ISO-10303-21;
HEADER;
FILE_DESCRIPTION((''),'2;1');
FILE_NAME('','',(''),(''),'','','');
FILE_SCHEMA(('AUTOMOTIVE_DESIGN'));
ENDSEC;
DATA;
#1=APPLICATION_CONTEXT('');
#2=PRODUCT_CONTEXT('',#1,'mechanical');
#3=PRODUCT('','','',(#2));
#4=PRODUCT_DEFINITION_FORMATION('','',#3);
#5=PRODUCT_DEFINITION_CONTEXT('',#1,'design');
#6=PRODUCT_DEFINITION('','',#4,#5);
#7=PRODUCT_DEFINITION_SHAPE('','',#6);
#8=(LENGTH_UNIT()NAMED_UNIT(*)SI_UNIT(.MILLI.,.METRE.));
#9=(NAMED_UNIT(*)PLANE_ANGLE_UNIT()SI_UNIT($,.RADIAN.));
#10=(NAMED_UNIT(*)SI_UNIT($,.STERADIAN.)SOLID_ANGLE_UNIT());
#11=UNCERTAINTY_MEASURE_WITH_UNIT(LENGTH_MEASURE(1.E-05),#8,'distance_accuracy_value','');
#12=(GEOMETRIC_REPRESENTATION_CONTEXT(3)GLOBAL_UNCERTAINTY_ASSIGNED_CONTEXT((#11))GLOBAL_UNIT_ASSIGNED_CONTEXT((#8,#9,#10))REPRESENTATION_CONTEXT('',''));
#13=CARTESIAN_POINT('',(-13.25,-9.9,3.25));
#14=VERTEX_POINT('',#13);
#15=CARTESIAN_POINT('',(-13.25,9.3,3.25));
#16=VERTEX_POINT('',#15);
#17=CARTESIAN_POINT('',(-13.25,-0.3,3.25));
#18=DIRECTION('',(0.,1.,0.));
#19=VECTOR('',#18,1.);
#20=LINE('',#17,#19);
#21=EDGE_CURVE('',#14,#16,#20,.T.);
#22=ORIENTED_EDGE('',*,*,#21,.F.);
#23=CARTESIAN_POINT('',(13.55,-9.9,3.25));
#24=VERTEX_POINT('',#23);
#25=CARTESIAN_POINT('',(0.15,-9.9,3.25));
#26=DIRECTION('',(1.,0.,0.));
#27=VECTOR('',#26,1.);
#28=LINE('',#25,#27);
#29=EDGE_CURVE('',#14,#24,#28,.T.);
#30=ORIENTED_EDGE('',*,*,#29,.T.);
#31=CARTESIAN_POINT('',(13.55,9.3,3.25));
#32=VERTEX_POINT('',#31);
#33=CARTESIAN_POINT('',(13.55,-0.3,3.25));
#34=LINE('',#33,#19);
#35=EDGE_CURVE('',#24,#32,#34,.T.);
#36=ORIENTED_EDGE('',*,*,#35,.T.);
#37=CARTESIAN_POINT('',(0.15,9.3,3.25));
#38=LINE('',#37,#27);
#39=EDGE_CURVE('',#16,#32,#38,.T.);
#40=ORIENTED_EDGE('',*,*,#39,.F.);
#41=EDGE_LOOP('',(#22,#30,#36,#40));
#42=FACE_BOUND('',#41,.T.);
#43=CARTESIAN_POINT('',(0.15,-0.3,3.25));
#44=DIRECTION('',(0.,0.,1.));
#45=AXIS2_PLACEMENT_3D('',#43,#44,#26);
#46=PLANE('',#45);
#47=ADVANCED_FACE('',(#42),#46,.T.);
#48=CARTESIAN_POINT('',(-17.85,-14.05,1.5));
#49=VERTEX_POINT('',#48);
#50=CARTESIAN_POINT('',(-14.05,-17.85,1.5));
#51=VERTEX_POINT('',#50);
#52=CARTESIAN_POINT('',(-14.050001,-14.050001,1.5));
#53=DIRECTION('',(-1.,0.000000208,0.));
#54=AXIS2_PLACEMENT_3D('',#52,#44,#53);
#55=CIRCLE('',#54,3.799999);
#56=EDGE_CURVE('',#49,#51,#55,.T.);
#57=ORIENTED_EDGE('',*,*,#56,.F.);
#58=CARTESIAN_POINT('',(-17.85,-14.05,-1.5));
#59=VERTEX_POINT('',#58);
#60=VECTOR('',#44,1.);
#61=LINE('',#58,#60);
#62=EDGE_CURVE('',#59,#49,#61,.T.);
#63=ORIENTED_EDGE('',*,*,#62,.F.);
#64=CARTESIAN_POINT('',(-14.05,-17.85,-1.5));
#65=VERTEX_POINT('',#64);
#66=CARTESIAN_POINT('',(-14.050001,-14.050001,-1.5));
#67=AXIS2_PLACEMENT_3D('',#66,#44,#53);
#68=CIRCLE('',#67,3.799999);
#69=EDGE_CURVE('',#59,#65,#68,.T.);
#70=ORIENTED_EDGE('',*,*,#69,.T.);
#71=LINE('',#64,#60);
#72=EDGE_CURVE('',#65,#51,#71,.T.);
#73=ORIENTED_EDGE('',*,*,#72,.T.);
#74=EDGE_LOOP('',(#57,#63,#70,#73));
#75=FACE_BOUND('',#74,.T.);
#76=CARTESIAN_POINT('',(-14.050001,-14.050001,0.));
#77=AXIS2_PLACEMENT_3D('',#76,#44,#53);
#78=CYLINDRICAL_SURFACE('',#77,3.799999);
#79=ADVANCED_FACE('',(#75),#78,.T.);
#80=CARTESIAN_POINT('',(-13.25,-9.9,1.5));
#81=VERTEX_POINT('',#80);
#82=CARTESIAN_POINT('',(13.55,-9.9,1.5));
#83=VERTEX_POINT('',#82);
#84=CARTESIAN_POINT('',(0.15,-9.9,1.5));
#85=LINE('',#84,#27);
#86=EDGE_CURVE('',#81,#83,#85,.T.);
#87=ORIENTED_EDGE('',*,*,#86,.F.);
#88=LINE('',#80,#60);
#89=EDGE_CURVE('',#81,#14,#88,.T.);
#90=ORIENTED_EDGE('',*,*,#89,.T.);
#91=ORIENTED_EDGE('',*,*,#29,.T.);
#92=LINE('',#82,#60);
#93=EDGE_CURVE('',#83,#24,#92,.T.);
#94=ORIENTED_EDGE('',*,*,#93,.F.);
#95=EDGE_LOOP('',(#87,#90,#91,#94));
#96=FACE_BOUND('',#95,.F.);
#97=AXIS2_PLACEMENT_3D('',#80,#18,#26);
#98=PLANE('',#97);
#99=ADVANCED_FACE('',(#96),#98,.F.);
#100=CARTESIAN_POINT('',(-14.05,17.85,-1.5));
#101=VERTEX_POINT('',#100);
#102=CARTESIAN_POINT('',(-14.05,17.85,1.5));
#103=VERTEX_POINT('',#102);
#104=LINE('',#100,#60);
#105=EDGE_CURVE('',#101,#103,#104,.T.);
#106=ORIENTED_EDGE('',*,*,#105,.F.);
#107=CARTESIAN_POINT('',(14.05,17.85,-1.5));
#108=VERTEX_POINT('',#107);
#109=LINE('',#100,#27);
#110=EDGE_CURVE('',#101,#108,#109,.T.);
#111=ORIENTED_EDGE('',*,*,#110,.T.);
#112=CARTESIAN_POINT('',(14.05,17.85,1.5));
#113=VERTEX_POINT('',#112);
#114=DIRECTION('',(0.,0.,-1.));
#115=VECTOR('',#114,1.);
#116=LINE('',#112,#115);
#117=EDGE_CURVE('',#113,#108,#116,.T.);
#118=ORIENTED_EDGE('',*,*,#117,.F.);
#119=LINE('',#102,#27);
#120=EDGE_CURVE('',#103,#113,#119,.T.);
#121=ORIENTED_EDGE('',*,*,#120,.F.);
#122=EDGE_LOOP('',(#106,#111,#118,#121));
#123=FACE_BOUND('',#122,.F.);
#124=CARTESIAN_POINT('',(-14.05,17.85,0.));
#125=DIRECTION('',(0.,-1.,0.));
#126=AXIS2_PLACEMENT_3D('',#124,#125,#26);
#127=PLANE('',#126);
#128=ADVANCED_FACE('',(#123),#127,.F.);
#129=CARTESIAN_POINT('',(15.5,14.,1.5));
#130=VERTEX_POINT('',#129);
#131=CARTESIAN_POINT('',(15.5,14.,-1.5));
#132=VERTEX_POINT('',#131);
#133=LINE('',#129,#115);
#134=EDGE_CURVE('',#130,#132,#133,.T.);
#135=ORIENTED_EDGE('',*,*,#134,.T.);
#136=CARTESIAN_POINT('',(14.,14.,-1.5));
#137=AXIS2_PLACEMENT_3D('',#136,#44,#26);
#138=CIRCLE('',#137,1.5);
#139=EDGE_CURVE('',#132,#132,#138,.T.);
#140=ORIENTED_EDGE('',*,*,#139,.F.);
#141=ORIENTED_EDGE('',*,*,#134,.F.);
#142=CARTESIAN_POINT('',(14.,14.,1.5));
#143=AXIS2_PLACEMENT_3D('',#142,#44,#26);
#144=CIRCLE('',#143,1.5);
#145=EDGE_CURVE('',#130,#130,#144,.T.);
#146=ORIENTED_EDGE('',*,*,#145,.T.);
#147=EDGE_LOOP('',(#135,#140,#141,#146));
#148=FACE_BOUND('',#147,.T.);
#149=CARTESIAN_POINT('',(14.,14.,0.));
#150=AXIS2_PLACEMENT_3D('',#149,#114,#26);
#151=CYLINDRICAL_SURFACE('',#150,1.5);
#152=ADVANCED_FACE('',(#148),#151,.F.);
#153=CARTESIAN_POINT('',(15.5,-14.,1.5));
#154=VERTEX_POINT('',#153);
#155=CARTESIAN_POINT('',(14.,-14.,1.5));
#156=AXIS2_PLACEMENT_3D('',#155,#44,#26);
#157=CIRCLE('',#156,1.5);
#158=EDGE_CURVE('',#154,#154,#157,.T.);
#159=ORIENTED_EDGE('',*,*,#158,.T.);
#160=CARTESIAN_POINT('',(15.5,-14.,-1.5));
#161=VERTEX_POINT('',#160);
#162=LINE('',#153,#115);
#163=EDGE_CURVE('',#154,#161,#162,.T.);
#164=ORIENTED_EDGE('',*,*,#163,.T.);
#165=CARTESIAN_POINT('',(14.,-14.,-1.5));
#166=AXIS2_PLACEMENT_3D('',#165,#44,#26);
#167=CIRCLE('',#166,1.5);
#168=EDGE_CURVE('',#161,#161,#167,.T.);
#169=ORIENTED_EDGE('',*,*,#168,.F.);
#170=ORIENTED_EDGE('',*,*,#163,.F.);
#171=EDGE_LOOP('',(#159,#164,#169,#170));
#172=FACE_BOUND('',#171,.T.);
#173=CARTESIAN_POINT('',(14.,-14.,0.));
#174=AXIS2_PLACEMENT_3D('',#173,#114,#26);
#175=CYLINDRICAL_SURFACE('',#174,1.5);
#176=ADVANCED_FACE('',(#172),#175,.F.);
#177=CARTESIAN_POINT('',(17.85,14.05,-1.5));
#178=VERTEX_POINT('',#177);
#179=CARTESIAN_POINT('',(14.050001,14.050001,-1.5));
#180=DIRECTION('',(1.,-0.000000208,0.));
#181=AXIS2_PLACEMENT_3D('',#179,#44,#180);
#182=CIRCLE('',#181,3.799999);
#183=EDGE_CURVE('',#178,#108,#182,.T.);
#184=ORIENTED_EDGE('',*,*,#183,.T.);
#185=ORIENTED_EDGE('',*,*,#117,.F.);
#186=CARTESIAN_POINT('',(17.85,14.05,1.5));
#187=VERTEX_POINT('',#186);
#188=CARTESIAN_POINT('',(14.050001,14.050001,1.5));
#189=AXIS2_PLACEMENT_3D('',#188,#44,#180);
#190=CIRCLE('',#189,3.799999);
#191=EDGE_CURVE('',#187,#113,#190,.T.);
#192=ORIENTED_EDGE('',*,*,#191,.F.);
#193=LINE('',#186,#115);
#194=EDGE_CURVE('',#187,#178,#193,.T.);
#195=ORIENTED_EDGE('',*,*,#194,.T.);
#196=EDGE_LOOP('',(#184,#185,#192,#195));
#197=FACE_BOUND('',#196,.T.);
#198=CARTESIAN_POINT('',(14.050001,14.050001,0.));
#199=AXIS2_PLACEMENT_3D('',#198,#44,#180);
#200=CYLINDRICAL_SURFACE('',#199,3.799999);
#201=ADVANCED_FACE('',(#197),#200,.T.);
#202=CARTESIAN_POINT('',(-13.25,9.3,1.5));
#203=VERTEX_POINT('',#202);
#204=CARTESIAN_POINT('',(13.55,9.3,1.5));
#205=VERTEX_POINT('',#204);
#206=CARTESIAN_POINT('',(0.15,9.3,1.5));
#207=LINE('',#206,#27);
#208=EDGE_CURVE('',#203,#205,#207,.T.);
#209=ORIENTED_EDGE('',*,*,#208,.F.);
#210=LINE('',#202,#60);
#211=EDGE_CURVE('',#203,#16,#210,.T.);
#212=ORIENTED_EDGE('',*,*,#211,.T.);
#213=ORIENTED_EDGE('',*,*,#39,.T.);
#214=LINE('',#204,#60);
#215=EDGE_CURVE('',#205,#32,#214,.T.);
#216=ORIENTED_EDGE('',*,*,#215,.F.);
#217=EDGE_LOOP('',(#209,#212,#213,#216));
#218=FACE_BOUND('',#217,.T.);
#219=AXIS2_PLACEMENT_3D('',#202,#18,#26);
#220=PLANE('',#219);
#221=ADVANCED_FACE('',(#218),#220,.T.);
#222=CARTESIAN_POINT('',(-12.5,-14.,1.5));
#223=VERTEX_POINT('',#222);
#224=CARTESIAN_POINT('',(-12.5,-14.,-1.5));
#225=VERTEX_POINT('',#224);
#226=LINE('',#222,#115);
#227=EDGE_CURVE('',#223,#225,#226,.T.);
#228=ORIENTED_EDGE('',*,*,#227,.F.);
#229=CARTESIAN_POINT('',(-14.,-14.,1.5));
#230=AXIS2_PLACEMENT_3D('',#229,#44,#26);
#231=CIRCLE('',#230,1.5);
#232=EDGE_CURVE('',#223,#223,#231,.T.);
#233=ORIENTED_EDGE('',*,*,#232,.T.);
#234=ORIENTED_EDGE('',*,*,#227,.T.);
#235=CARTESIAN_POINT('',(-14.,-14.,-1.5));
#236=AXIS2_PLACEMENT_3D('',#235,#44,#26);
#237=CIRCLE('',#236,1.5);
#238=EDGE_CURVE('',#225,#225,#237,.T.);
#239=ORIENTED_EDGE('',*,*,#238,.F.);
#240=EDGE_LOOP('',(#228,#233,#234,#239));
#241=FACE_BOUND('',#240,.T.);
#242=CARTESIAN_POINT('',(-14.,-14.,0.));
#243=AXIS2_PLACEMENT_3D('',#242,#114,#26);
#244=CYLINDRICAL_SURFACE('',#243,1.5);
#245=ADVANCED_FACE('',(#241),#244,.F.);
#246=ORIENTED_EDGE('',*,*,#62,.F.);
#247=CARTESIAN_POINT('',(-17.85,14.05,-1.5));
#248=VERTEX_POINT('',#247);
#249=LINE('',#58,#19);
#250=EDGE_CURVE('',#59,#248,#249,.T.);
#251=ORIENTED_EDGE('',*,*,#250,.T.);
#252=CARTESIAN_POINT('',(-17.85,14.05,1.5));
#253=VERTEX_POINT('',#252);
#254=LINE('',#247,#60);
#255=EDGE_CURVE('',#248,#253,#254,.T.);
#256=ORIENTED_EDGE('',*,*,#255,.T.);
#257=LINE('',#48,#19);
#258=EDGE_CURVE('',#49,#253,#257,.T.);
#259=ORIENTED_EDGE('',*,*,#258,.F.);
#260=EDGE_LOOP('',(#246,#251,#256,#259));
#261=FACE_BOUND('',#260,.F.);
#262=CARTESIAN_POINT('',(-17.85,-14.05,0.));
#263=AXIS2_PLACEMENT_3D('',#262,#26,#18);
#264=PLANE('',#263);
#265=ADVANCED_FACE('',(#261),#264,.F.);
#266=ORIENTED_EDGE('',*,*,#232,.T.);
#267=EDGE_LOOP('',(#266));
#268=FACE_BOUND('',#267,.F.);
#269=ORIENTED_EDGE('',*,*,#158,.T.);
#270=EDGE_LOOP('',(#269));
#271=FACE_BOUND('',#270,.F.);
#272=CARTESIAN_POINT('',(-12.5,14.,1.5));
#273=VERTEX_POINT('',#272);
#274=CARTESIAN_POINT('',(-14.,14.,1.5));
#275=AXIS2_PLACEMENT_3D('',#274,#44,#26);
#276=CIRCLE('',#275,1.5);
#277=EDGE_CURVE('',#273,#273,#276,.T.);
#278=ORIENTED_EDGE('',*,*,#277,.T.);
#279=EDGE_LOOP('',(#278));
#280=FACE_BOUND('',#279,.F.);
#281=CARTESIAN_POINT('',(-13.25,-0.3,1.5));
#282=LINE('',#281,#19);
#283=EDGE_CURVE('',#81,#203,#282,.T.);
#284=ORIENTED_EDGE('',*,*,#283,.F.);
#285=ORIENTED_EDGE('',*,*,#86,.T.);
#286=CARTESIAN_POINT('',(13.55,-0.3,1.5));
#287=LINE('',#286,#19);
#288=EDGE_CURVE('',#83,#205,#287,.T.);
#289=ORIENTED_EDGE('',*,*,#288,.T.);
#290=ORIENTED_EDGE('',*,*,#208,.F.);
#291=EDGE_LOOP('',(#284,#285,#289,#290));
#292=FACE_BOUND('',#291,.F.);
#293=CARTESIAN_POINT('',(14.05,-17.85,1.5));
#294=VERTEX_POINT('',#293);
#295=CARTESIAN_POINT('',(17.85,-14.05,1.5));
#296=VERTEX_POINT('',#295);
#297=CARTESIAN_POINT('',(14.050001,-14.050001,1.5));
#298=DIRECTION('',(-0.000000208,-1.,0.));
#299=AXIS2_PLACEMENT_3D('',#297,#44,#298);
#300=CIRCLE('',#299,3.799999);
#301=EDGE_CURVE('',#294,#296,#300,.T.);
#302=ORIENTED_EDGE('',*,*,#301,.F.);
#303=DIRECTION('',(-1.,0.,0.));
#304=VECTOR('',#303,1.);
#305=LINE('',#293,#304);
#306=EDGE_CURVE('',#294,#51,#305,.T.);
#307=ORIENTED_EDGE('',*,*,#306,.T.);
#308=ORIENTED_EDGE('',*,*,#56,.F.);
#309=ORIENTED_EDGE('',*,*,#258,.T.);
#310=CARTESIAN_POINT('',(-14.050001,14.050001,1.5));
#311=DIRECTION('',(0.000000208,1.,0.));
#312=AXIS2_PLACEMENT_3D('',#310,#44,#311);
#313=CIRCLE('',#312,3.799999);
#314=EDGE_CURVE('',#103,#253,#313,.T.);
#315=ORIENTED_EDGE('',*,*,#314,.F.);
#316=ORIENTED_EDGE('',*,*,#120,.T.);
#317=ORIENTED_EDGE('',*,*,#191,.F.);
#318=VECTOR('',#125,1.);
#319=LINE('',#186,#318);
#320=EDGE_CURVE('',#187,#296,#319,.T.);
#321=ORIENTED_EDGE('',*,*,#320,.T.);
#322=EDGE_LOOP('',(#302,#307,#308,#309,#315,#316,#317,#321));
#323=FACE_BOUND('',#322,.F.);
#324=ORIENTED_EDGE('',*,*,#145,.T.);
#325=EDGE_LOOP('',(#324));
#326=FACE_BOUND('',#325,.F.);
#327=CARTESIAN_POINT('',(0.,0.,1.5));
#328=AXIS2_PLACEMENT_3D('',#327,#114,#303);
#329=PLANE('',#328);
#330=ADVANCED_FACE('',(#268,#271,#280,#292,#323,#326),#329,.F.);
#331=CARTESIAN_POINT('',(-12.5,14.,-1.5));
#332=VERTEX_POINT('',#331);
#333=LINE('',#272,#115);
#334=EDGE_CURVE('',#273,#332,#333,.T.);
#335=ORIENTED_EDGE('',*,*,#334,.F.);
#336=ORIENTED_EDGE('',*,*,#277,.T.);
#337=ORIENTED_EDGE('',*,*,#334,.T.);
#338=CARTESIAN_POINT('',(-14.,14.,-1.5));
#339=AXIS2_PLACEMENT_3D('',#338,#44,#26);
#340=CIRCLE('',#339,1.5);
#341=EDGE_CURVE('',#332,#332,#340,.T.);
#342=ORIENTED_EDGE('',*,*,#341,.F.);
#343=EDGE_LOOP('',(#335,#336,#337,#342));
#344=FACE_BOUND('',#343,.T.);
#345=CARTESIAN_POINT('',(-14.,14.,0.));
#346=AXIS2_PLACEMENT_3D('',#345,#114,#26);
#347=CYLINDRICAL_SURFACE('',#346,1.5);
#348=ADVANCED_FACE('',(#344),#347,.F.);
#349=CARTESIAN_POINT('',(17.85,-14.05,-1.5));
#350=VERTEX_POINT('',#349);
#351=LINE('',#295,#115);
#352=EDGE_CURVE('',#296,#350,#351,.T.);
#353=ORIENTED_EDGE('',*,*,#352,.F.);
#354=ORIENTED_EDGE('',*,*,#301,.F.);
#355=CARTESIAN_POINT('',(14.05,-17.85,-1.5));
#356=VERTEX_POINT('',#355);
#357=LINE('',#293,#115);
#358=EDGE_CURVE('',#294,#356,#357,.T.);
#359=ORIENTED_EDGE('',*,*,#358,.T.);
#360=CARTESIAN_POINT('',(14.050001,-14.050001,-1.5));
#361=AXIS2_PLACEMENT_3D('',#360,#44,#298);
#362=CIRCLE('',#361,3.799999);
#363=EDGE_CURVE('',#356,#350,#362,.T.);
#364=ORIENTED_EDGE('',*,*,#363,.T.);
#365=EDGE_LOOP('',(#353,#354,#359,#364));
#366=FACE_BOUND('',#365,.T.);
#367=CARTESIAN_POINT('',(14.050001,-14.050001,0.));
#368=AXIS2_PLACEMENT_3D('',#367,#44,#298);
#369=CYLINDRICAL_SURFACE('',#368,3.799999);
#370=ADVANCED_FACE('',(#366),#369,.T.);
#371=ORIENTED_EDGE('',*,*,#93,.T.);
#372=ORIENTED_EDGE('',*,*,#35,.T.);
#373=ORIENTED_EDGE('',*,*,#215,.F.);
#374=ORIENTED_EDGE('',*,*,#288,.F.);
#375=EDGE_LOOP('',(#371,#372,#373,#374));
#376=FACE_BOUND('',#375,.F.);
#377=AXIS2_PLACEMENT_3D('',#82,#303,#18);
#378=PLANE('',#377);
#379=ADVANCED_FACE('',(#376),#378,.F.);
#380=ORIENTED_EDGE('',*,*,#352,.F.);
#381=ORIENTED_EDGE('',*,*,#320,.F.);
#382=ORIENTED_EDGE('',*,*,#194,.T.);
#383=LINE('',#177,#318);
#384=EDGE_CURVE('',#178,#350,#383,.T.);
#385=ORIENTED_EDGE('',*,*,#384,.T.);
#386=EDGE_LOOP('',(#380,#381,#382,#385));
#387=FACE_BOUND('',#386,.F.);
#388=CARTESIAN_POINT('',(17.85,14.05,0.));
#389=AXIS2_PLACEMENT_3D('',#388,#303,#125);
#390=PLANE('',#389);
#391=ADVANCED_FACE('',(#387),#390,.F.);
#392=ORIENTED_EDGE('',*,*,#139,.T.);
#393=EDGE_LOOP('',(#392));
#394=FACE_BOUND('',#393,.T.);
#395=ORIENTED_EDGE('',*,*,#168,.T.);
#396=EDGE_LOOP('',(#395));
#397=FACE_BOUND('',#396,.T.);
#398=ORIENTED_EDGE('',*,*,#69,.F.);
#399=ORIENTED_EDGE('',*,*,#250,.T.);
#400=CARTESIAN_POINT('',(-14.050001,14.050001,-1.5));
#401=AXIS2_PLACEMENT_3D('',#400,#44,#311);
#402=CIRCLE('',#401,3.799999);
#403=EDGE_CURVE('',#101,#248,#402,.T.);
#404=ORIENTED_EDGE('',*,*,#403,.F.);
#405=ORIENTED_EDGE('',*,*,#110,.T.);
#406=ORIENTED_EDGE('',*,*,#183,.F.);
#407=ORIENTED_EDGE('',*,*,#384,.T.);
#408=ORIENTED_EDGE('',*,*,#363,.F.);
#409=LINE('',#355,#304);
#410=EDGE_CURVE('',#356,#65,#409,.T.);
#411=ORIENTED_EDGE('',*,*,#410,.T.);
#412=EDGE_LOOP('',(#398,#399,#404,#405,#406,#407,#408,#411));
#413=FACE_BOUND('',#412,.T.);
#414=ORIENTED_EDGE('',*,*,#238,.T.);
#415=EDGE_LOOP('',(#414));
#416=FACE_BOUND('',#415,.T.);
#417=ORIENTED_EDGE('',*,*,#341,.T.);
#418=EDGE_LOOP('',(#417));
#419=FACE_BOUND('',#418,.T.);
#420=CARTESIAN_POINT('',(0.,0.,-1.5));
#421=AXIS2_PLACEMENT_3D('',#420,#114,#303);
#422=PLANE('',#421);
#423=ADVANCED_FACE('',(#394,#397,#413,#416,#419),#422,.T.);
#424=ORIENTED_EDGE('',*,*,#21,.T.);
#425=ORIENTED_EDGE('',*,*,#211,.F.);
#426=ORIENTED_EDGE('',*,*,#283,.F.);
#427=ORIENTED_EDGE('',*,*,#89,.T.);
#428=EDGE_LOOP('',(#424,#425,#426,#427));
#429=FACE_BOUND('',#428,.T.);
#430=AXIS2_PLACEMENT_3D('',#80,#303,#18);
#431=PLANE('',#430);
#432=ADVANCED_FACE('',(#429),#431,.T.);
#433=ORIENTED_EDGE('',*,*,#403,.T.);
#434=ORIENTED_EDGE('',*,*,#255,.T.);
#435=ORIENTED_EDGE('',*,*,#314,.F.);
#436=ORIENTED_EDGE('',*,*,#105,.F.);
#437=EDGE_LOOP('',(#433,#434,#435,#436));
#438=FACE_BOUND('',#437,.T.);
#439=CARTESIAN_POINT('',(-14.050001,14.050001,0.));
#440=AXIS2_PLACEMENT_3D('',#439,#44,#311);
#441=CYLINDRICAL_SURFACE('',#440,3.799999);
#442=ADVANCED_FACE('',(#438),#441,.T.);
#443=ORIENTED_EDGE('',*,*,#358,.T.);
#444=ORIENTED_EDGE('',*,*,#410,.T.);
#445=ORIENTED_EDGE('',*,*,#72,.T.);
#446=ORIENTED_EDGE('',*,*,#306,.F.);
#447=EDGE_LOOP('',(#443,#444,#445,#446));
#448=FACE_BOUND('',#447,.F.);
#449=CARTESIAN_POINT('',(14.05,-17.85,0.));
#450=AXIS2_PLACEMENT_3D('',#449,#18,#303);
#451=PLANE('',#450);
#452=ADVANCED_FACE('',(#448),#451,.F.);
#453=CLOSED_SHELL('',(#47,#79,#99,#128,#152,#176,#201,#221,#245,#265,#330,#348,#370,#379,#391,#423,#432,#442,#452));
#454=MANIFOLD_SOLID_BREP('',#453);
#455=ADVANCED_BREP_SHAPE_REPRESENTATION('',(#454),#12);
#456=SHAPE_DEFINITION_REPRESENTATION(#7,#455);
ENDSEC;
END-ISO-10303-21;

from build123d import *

# Parameters (mm, degrees)
SKETCH_R     = 1.5
PAD_DEPTH    = 1.5
SKETCH001_W  = 26.8
SKETCH001_H  = 19.2
PAD001_DEPTH = 1.75


with BuildPart() as part:
    # Sketch → Pad (new body, symmetric)
    with BuildSketch(Plane.XY):
        with BuildLine():
            Line((-14.05, 17.85), (14.05, 17.85))
            ThreePointArc((17.85, 14.05), (16.737006, 16.737006), (14.05, 17.85))
            Line((17.85, 14.05), (17.85, -14.05))
            ThreePointArc((14.05, -17.85), (16.737006, -16.737006), (17.85, -14.05))
            Line((14.05, -17.85), (-14.05, -17.85))
            ThreePointArc((-17.85, -14.05), (-16.737006, -16.737006), (-14.05, -17.85))
            Line((-17.85, -14.05), (-17.85, 14.05))
            ThreePointArc((-14.05, 17.85), (-16.737006, 16.737006), (-17.85, 14.05))
        make_face()
        with Locations((-14, 14)):
            Circle(SKETCH_R, mode=Mode.SUBTRACT)
        with Locations((-14, -14)):
            Circle(SKETCH_R, mode=Mode.SUBTRACT)
        with Locations((14, -14)):
            Circle(SKETCH_R, mode=Mode.SUBTRACT)
        with Locations((14, 14)):
            Circle(SKETCH_R, mode=Mode.SUBTRACT)
    extrude(amount=PAD_DEPTH, both=True)

    # Sketch001 → Pad001 (new body)
    with BuildSketch(Plane.XY.offset(1.5)):
        with Locations((0.15, -0.3)):
            Rectangle(SKETCH001_W, SKETCH001_H)
    extrude(amount=PAD001_DEPTH)


solid = part.part
